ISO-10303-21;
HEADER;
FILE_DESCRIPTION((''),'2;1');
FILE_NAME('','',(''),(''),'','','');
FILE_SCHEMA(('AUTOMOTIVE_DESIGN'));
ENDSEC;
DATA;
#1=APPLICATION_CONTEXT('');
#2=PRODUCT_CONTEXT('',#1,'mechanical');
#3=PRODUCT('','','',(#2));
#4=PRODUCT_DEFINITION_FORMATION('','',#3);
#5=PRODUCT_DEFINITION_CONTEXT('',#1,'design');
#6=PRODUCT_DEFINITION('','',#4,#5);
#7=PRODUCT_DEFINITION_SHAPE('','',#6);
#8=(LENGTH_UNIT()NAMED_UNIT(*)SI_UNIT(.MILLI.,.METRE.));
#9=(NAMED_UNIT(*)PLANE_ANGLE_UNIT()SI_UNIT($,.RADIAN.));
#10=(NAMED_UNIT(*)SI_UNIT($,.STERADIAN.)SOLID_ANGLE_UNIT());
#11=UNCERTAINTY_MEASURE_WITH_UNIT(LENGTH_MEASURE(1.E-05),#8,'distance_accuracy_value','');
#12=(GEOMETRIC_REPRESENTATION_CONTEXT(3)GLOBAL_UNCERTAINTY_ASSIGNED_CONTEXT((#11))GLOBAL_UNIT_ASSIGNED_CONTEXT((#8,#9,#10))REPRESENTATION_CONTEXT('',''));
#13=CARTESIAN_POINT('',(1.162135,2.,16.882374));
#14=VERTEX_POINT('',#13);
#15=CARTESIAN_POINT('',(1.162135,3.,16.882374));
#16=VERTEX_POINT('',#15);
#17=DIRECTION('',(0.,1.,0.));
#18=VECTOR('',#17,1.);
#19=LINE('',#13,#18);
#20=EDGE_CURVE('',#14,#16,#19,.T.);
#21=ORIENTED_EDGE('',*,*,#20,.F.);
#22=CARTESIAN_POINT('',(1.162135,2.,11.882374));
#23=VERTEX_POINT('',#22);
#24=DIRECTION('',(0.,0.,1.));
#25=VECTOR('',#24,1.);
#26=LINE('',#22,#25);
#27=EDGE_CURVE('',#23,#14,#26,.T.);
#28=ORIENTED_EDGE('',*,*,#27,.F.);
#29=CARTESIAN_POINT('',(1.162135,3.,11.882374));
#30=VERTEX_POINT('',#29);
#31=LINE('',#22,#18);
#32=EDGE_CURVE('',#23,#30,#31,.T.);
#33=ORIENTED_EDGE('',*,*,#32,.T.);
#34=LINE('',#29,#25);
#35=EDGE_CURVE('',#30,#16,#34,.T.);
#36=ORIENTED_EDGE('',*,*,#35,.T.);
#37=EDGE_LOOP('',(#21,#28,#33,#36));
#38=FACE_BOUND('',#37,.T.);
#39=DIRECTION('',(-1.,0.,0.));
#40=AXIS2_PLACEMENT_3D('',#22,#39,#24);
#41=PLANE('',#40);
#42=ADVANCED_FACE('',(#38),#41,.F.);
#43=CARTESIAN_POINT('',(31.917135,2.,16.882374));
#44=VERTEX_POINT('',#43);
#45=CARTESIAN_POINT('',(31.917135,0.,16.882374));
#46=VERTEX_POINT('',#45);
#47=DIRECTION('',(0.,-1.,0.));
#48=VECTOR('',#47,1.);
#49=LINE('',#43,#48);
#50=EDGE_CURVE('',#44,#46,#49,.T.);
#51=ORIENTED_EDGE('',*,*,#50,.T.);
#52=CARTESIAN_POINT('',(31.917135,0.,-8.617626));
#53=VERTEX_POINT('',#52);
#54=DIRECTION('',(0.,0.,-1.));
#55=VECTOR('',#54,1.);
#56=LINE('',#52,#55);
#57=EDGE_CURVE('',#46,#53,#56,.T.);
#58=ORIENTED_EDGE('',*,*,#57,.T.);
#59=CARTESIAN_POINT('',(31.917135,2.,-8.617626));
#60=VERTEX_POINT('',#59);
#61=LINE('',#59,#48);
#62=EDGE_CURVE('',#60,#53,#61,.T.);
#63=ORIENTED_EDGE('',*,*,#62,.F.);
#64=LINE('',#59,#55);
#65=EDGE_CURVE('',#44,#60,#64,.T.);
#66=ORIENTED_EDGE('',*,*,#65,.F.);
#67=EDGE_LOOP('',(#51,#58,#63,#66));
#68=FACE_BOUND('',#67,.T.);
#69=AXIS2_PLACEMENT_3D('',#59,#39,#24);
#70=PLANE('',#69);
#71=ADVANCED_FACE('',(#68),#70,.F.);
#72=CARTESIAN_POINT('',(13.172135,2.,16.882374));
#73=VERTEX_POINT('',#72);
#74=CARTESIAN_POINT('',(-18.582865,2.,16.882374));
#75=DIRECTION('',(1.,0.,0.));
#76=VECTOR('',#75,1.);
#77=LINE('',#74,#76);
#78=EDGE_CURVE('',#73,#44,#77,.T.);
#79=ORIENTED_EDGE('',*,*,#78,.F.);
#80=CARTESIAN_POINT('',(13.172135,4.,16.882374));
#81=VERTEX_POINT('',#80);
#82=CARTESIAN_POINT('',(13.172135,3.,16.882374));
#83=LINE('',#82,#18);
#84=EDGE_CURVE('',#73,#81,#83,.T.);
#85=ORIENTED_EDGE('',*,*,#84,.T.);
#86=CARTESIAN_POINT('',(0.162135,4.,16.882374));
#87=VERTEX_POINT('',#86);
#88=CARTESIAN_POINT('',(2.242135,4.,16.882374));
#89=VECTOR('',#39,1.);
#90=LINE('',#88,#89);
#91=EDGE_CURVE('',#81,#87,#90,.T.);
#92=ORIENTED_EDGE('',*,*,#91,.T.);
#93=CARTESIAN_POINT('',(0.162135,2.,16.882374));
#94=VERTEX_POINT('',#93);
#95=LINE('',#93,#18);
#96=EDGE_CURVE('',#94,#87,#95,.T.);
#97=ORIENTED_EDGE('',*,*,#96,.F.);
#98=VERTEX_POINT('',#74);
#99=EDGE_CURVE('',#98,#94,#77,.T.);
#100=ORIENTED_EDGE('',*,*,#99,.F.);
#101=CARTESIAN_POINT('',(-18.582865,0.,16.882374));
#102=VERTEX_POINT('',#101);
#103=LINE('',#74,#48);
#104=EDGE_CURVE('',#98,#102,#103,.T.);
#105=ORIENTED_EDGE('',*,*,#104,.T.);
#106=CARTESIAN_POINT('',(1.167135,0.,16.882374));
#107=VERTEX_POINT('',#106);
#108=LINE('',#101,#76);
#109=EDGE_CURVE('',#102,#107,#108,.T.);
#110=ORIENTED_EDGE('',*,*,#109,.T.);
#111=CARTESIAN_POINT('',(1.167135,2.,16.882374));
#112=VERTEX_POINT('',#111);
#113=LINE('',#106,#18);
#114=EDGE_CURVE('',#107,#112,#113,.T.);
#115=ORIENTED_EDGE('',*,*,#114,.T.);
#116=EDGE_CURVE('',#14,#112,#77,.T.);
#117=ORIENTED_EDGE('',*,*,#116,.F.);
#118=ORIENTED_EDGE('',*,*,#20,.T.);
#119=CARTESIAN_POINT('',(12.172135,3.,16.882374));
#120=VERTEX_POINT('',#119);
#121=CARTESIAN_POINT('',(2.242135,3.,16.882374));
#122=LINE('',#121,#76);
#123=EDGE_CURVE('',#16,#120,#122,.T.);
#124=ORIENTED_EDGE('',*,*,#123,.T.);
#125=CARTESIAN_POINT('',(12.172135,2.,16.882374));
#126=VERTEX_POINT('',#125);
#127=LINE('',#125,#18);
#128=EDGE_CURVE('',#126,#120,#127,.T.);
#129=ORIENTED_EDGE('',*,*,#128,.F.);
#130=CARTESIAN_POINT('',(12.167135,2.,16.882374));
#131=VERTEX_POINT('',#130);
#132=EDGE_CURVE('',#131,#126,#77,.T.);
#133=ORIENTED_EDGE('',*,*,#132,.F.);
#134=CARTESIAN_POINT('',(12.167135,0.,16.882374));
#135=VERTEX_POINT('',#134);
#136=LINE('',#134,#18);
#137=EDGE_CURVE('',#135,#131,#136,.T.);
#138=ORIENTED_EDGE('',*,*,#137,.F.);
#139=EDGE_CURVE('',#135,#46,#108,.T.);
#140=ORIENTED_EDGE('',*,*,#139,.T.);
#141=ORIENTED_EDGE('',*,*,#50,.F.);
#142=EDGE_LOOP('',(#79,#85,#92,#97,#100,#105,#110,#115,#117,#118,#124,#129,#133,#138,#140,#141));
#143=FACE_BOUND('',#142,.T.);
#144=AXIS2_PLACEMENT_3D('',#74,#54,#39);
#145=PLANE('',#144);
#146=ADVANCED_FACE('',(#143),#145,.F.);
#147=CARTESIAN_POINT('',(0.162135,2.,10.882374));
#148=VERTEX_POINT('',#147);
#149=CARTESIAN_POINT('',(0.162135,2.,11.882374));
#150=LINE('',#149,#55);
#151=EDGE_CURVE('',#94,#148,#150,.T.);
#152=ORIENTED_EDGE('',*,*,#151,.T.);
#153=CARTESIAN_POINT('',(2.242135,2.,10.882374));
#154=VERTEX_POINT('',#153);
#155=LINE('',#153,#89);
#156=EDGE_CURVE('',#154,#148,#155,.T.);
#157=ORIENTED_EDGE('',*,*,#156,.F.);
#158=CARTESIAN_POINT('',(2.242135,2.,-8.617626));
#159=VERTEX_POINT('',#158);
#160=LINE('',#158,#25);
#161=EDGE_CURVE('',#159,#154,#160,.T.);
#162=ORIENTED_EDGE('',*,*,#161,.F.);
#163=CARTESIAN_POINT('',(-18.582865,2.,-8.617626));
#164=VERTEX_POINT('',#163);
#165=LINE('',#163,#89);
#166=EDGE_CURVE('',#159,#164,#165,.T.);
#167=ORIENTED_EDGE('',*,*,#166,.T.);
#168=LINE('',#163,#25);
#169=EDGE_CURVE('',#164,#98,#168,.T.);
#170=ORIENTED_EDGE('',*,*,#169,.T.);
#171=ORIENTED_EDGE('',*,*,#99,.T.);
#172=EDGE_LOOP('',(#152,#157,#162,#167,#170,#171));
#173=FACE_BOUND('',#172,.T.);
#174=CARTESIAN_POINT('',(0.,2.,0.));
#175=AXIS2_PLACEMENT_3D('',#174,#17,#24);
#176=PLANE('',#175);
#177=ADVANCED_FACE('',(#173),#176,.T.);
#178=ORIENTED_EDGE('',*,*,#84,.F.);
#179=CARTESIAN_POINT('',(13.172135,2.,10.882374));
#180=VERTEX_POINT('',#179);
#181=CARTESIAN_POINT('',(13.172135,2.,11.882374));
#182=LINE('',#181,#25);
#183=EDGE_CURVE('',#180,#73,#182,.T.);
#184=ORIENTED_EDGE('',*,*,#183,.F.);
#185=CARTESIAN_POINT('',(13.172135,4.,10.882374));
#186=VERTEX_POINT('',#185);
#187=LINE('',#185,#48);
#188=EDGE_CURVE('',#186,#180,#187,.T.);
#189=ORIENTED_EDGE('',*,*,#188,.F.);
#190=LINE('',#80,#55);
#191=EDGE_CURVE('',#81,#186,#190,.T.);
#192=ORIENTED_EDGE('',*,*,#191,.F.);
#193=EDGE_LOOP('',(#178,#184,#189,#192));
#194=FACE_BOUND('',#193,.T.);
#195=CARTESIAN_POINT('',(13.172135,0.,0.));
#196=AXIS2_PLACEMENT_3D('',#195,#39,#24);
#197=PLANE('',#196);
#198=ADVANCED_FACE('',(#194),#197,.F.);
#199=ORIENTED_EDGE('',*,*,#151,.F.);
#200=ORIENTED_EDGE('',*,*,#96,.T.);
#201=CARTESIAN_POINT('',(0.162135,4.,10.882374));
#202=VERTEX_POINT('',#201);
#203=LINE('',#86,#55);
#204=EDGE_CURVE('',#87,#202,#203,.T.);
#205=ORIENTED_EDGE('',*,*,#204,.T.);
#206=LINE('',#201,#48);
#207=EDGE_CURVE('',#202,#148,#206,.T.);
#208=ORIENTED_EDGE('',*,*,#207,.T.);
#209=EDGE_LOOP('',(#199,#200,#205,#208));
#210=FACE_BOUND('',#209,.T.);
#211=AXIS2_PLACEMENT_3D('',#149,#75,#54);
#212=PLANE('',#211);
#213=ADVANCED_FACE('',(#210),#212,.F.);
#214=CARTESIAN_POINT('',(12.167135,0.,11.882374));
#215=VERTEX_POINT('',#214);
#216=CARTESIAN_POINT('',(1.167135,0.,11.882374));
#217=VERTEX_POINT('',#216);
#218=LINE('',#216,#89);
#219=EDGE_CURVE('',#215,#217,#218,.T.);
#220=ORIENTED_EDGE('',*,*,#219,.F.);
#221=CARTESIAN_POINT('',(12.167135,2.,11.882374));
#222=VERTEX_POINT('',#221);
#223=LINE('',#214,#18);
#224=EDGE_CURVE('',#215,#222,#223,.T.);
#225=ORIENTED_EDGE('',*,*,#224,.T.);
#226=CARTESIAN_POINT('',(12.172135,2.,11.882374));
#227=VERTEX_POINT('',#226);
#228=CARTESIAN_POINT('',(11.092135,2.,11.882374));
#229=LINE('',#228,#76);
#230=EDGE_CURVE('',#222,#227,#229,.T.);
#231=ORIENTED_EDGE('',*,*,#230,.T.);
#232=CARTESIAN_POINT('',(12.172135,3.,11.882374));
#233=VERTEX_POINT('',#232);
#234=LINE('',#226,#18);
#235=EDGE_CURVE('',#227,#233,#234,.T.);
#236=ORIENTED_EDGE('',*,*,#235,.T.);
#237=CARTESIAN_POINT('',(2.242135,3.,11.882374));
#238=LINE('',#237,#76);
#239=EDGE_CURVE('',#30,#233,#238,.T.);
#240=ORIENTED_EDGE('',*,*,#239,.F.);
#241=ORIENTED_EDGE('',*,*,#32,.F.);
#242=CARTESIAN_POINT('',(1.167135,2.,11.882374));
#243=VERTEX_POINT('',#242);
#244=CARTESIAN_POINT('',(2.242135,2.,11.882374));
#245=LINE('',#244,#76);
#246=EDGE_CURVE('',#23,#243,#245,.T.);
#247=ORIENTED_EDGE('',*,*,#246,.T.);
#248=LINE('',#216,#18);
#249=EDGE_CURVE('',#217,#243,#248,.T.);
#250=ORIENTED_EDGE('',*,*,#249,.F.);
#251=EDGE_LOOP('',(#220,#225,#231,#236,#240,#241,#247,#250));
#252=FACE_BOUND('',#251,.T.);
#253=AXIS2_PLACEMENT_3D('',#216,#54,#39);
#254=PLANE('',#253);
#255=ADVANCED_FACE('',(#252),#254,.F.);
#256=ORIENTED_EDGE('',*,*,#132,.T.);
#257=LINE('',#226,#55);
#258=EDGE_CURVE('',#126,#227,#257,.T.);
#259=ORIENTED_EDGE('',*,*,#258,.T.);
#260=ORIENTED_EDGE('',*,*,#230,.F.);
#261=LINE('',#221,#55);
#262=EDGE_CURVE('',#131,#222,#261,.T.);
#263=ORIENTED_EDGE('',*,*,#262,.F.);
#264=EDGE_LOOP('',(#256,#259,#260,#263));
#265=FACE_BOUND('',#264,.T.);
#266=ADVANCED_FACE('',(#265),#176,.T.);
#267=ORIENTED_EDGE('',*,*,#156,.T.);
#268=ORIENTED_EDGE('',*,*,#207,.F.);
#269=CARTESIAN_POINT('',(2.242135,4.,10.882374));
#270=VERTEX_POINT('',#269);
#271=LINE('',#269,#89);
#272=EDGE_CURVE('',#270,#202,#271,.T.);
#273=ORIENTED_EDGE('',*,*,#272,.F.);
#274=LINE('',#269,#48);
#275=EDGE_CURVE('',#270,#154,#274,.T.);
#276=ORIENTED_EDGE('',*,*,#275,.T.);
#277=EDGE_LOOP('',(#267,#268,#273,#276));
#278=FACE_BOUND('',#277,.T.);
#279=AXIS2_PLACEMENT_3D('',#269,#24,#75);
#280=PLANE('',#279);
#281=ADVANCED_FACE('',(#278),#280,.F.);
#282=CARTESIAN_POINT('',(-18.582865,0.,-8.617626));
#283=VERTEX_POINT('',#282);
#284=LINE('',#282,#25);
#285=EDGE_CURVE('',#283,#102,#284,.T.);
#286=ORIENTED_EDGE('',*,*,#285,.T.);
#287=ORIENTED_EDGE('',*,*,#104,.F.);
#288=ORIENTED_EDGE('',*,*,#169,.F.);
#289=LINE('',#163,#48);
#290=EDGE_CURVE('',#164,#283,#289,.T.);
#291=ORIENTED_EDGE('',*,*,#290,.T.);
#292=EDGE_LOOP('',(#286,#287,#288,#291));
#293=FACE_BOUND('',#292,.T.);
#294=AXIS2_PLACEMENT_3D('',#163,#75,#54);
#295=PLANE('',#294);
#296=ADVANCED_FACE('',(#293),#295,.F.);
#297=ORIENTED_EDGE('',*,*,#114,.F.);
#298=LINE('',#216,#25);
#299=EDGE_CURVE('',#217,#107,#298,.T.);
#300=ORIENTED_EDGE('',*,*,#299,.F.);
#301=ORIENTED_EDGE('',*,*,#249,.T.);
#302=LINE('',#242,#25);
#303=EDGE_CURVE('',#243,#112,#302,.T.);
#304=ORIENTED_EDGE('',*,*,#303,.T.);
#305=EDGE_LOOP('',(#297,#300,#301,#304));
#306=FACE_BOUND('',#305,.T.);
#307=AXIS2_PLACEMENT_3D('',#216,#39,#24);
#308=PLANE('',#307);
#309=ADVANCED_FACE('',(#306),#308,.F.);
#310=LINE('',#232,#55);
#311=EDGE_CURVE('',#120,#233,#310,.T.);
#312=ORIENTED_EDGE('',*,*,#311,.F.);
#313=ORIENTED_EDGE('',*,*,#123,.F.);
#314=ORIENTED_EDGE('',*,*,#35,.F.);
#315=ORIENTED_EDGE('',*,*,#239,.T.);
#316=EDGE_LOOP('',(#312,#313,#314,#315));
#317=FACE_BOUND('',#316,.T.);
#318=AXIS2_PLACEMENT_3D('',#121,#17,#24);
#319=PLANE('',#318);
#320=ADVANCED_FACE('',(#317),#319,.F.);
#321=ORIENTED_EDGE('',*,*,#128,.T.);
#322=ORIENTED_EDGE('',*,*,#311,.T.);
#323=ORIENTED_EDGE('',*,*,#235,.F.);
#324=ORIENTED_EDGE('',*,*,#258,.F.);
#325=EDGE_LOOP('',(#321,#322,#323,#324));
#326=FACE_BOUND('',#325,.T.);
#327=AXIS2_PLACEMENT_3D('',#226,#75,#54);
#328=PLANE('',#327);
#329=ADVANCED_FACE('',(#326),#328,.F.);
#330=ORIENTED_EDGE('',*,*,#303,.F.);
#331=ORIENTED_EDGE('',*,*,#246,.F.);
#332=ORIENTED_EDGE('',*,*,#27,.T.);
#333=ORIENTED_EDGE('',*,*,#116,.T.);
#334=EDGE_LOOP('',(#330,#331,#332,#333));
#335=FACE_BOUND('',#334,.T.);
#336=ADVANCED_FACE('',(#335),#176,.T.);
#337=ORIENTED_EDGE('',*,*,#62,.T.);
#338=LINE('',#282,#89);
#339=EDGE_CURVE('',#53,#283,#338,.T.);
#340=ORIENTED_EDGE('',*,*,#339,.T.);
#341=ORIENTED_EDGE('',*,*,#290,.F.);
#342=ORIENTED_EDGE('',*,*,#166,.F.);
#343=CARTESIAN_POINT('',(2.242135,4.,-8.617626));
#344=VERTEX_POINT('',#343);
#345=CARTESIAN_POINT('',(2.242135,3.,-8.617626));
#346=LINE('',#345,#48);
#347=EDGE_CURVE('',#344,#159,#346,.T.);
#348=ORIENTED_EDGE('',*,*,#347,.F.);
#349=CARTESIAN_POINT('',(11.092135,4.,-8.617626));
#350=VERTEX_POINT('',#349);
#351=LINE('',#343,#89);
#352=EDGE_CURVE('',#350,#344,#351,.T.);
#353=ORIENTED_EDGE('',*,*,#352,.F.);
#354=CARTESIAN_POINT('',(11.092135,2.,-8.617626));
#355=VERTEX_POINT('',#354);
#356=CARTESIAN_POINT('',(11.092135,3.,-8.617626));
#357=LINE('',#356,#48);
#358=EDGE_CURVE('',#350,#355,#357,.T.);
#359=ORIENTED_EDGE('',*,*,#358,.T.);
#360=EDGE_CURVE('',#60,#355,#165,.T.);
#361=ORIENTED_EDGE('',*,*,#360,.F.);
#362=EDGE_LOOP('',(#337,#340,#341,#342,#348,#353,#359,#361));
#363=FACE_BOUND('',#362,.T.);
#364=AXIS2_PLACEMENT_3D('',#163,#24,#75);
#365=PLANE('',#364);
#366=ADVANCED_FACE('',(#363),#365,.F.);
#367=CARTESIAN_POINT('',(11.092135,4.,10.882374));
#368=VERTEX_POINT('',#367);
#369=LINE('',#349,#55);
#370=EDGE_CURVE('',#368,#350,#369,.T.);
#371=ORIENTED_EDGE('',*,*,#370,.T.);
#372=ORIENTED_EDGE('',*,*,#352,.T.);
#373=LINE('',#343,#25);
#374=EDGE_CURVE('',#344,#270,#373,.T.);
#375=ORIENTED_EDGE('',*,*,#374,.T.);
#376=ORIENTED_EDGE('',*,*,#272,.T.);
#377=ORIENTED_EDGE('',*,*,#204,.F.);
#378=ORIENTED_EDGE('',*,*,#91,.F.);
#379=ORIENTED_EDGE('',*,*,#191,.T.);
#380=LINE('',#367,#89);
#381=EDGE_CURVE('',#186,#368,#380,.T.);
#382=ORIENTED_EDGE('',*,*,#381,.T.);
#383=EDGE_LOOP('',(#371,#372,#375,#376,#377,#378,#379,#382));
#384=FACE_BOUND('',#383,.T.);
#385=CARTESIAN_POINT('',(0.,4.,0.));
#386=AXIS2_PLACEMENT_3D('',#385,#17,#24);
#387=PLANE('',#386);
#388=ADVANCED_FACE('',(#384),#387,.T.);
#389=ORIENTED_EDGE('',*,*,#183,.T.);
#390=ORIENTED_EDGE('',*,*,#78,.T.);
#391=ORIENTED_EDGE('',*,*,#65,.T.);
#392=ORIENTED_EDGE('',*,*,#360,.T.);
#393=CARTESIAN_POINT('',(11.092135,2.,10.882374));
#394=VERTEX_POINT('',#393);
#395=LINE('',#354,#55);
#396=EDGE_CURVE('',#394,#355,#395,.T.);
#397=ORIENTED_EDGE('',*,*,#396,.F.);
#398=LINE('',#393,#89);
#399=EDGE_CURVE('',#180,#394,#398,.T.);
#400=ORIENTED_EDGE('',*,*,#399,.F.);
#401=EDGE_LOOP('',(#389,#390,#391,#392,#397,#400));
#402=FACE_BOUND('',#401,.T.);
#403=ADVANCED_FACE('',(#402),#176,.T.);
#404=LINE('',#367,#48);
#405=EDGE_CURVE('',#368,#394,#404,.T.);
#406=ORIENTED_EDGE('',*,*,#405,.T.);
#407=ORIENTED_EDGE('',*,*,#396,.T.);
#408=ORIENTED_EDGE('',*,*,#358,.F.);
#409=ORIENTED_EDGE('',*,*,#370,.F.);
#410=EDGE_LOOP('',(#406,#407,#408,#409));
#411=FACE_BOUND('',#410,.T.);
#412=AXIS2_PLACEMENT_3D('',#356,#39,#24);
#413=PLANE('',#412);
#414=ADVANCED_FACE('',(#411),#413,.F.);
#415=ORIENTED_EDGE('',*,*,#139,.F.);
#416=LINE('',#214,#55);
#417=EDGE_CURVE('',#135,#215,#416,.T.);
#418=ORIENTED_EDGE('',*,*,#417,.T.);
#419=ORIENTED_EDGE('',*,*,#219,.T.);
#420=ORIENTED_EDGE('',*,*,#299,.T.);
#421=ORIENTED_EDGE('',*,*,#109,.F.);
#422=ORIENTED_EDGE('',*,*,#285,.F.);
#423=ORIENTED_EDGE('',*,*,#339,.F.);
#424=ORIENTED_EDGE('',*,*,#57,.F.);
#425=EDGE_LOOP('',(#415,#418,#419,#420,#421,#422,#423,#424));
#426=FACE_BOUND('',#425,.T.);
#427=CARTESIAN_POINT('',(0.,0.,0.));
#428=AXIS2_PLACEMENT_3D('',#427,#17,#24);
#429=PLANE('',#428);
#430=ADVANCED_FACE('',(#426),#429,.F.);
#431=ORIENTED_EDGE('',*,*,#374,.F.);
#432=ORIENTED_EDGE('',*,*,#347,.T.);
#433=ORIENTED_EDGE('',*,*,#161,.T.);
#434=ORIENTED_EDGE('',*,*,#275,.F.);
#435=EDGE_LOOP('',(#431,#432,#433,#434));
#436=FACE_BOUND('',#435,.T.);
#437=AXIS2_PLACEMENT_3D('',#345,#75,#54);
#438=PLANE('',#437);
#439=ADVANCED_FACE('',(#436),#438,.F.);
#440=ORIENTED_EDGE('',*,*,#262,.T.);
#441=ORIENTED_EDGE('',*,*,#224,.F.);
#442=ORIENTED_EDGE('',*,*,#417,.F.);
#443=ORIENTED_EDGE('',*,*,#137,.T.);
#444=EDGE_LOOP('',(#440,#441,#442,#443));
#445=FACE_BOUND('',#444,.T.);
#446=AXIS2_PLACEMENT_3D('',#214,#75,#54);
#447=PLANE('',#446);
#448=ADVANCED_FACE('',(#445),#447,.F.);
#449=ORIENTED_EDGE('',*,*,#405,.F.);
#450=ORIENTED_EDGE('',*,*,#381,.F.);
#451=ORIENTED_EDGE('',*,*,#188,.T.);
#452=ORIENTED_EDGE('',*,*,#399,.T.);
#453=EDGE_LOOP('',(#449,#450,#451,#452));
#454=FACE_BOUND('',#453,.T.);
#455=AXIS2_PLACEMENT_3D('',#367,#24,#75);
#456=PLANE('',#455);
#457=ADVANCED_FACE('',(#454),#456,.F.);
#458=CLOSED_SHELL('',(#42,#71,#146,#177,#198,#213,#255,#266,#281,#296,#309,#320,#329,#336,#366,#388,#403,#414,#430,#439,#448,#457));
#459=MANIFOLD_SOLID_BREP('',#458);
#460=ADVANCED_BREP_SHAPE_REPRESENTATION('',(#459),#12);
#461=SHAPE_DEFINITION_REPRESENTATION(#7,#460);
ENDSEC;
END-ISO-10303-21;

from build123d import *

# Parameters (mm, degrees)
SKETCH1_W                = 50.5
SKETCH1_H                = 25.5
BOSS_EXTRUDE1_DEPTH      = 2
SKETCH2_W                = 11
SKETCH2_H                = 5
CUT_EXTRUDE1_DEPTH       = 2
SKETCH3_W                = 8.85
SKETCH3_H                = 20.5
BOSS_EXTRUDE2_DEPTH      = 1
MOVE_FACE1_BY            = 1
SKETCH4_W                = 8.85
SKETCH4_H                = 1
BOSS_EXTRUDE3_DEPTH      = 5
BOSS_EXTRUDE4_DEPTH      = 2
BOSS_EXTRUDE4_DEPTH_BACK = 11
SKETCH5_W                = 5
SKETCH5_H                = 1
MOVE_FACE3_BY            = 0.15
MOVE_FACE4_BY            = 0.08
MOVE_FACE5_BY            = 0.08
SKETCH8_W                = 1
SKETCH8_H                = 5
BOSS_EXTRUDE5_DEPTH      = 1
SKETCH9_W                = 2.08
SKETCH9_H                = 1
BOSS_EXTRUDE6_DEPTH      = 2
SKETCH10_W               = 2.08
SKETCH10_H               = 1
BOSS_EXTRUDE7_DEPTH      = 2


with BuildPart() as part:
    # Sketch1 → Boss-Extrude1 (new body)
    with BuildSketch(Plane(origin=(0, 0, 0), x_dir=(1, 0, 0), z_dir=(0, 1, 0))):
        with Locations((6.667134831, -4.132373596)):
            Rectangle(SKETCH1_W, SKETCH1_H)
    extrude(amount=BOSS_EXTRUDE1_DEPTH)

    # Sketch2 → Cut-Extrude1 (cut)
    with BuildSketch(Plane(origin=(0, 2, 0), x_dir=(1, 0, 0), z_dir=(0, 1, 0))):
        with Locations((6.667134831, -14.382373596)):
            Rectangle(SKETCH2_W, SKETCH2_H)
    extrude(amount=-CUT_EXTRUDE1_DEPTH, mode=Mode.SUBTRACT)



with BuildPart() as body_2:
    # Sketch3 → Boss-Extrude2 (new body)
    with BuildSketch(Plane(origin=(0, 2, 0), x_dir=(1, 0, 0), z_dir=(0, 1, 0))):
        with Locations((6.667134831, -1.632373596)):
            Rectangle(SKETCH3_W, SKETCH3_H)
    extrude(amount=BOSS_EXTRUDE2_DEPTH)

    # Move Face1: a face moved outward by 1.0
    extrude(body_2.faces().sort_by_distance((6.667134831, 3, 1.632373596))[0], amount=MOVE_FACE1_BY, dir=(0, 1, 0))

    # Sketch4 → Boss-Extrude3 (add)
    with BuildSketch(Plane.XY.offset(11.882373596)):
        with Locations((6.667134831, 3.5)):
            Rectangle(SKETCH4_W, SKETCH4_H)
    extrude(amount=BOSS_EXTRUDE3_DEPTH)

    # Sketch5 → Boss-Extrude4 (add, two sides: drawn at the far end of the back side and taken through both)
    with BuildSketch(Plane.ZY.offset(-2.242134831).offset(-BOSS_EXTRUDE4_DEPTH_BACK)):
        with Locations((14.382373596, 3.5)):
            Rectangle(SKETCH5_W, SKETCH5_H)
    extrude(amount=BOSS_EXTRUDE4_DEPTH + BOSS_EXTRUDE4_DEPTH_BACK)

    # Move Face3: a face moved inward by 0.15
    extrude(body_2.faces().sort_by_distance((13.242134831, 3.5, 14.382373596))[0], amount=MOVE_FACE3_BY, dir=(-1, 0, 0), mode=Mode.SUBTRACT)

    # Move Face4: a face moved outward by 0.08
    extrude(body_2.faces().sort_by_distance((0.242134831, 3.5, 14.382373596))[0], amount=MOVE_FACE4_BY, dir=(-1, 0, 0))

    # Move Face5: a face moved outward by 0.08
    extrude(body_2.faces().sort_by_distance((13.092134831, 3.5, 14.382373596))[0], amount=MOVE_FACE5_BY, dir=(1, 0, 0))


with BuildPart() as part_1:
    add(part.part)

    add(body_2.part)  # Boss-Extrude5 merges body 2
    # Sketch8 → Boss-Extrude5 (add)
    with BuildSketch(Plane.XZ.offset(-3)):
        with Locations((0.662134831, 14.382373596)):
            Rectangle(SKETCH8_W, SKETCH8_H)
        with Locations((12.672134831, 14.382373596)):
            Rectangle(SKETCH8_W, SKETCH8_H)
    extrude(amount=BOSS_EXTRUDE5_DEPTH)

    # Sketch9 → Boss-Extrude6 (add)
    with BuildSketch(Plane(origin=(0, 2, 0), x_dir=(1, 0, 0), z_dir=(0, 1, 0))):
        with Locations((12.132134831, -11.382373596)):
            Rectangle(SKETCH9_W, SKETCH9_H)
    extrude(amount=BOSS_EXTRUDE6_DEPTH)

    # Sketch10 → Boss-Extrude7 (add)
    with BuildSketch(Plane(origin=(0, 2, 0), x_dir=(1, 0, 0), z_dir=(0, 1, 0))):
        with Locations((1.202134831, -11.382373596)):
            Rectangle(SKETCH10_W, SKETCH10_H)
    extrude(amount=BOSS_EXTRUDE7_DEPTH)


solid = part_1.part
